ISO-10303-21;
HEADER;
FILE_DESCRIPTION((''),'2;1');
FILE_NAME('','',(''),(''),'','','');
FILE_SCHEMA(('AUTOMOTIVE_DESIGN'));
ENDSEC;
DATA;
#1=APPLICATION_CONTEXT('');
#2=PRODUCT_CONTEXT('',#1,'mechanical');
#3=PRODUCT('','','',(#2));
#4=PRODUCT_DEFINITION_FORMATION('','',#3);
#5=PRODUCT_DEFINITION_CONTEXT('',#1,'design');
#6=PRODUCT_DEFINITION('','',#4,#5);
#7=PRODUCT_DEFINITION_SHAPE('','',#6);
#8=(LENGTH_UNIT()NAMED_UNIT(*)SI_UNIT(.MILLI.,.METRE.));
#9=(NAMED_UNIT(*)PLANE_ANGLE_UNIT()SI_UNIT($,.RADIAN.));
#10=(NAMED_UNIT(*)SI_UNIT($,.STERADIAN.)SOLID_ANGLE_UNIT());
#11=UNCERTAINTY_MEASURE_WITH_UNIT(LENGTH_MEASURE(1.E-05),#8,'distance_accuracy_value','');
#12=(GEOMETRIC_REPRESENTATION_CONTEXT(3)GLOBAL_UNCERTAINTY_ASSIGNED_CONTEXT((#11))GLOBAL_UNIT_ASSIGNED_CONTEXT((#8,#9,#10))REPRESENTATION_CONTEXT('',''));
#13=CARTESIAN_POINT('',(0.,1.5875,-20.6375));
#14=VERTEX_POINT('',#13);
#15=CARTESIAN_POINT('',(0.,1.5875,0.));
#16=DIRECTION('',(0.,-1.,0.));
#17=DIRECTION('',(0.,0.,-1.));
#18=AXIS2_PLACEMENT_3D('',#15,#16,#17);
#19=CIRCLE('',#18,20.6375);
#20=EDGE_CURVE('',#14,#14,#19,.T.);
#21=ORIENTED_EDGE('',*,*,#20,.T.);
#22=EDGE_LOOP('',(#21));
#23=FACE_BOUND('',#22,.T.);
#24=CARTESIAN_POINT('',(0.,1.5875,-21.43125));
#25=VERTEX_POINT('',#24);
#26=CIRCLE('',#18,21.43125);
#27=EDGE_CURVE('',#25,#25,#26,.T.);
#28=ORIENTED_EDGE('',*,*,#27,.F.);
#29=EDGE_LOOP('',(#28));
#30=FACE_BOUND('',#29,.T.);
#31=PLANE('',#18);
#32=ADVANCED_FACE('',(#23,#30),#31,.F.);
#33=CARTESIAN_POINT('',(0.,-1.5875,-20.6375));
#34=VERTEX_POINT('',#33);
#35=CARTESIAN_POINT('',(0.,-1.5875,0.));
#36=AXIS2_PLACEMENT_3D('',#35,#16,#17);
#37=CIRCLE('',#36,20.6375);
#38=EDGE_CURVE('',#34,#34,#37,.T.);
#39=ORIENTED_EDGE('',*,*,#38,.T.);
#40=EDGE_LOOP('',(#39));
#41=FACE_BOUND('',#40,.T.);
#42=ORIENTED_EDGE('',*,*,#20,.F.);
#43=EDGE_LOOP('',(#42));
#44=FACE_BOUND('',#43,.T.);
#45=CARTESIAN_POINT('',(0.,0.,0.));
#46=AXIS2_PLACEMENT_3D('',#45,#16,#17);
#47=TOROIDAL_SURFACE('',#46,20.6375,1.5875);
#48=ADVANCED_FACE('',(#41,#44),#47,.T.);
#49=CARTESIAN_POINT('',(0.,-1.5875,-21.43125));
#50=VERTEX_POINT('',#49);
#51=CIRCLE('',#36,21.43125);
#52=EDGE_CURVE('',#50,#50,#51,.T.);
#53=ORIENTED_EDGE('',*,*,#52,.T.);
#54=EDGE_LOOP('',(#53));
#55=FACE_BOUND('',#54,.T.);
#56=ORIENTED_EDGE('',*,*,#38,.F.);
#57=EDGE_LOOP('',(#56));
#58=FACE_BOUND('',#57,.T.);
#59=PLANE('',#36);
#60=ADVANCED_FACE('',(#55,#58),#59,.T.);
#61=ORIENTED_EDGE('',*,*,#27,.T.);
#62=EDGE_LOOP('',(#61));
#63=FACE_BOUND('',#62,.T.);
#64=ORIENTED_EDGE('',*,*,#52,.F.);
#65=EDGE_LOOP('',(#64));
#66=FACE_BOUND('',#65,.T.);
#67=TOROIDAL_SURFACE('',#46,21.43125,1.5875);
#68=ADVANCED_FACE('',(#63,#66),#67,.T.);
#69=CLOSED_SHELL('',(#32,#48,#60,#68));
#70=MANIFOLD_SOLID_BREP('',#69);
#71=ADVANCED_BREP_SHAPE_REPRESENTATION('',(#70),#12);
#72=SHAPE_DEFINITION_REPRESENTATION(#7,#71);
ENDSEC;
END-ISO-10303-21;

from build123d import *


with BuildPart() as part:
    # Sketch1 → Revolve1 (revolve)
    with BuildSketch(Plane.XY, mode=Mode.PRIVATE) as revolve1_sk:
        with BuildLine():
            Line((20.6375, 1.5875), (21.43125, 1.5875))
            ThreePointArc((21.43125, 1.5875), (23.01875, 0), (21.43125, -1.5875))
            Line((21.43125, -1.5875), (20.6375, -1.5875))
            ThreePointArc((20.6375, -1.5875), (19.05, 0), (20.6375, 1.5875))
        make_face()
    revolve(revolve1_sk.sketch.rotate(Axis((0, 0, 0), (0, 1, 0)), 90), axis=Axis((0, 0, 0), (0, 1, 0)))


solid = part.part
